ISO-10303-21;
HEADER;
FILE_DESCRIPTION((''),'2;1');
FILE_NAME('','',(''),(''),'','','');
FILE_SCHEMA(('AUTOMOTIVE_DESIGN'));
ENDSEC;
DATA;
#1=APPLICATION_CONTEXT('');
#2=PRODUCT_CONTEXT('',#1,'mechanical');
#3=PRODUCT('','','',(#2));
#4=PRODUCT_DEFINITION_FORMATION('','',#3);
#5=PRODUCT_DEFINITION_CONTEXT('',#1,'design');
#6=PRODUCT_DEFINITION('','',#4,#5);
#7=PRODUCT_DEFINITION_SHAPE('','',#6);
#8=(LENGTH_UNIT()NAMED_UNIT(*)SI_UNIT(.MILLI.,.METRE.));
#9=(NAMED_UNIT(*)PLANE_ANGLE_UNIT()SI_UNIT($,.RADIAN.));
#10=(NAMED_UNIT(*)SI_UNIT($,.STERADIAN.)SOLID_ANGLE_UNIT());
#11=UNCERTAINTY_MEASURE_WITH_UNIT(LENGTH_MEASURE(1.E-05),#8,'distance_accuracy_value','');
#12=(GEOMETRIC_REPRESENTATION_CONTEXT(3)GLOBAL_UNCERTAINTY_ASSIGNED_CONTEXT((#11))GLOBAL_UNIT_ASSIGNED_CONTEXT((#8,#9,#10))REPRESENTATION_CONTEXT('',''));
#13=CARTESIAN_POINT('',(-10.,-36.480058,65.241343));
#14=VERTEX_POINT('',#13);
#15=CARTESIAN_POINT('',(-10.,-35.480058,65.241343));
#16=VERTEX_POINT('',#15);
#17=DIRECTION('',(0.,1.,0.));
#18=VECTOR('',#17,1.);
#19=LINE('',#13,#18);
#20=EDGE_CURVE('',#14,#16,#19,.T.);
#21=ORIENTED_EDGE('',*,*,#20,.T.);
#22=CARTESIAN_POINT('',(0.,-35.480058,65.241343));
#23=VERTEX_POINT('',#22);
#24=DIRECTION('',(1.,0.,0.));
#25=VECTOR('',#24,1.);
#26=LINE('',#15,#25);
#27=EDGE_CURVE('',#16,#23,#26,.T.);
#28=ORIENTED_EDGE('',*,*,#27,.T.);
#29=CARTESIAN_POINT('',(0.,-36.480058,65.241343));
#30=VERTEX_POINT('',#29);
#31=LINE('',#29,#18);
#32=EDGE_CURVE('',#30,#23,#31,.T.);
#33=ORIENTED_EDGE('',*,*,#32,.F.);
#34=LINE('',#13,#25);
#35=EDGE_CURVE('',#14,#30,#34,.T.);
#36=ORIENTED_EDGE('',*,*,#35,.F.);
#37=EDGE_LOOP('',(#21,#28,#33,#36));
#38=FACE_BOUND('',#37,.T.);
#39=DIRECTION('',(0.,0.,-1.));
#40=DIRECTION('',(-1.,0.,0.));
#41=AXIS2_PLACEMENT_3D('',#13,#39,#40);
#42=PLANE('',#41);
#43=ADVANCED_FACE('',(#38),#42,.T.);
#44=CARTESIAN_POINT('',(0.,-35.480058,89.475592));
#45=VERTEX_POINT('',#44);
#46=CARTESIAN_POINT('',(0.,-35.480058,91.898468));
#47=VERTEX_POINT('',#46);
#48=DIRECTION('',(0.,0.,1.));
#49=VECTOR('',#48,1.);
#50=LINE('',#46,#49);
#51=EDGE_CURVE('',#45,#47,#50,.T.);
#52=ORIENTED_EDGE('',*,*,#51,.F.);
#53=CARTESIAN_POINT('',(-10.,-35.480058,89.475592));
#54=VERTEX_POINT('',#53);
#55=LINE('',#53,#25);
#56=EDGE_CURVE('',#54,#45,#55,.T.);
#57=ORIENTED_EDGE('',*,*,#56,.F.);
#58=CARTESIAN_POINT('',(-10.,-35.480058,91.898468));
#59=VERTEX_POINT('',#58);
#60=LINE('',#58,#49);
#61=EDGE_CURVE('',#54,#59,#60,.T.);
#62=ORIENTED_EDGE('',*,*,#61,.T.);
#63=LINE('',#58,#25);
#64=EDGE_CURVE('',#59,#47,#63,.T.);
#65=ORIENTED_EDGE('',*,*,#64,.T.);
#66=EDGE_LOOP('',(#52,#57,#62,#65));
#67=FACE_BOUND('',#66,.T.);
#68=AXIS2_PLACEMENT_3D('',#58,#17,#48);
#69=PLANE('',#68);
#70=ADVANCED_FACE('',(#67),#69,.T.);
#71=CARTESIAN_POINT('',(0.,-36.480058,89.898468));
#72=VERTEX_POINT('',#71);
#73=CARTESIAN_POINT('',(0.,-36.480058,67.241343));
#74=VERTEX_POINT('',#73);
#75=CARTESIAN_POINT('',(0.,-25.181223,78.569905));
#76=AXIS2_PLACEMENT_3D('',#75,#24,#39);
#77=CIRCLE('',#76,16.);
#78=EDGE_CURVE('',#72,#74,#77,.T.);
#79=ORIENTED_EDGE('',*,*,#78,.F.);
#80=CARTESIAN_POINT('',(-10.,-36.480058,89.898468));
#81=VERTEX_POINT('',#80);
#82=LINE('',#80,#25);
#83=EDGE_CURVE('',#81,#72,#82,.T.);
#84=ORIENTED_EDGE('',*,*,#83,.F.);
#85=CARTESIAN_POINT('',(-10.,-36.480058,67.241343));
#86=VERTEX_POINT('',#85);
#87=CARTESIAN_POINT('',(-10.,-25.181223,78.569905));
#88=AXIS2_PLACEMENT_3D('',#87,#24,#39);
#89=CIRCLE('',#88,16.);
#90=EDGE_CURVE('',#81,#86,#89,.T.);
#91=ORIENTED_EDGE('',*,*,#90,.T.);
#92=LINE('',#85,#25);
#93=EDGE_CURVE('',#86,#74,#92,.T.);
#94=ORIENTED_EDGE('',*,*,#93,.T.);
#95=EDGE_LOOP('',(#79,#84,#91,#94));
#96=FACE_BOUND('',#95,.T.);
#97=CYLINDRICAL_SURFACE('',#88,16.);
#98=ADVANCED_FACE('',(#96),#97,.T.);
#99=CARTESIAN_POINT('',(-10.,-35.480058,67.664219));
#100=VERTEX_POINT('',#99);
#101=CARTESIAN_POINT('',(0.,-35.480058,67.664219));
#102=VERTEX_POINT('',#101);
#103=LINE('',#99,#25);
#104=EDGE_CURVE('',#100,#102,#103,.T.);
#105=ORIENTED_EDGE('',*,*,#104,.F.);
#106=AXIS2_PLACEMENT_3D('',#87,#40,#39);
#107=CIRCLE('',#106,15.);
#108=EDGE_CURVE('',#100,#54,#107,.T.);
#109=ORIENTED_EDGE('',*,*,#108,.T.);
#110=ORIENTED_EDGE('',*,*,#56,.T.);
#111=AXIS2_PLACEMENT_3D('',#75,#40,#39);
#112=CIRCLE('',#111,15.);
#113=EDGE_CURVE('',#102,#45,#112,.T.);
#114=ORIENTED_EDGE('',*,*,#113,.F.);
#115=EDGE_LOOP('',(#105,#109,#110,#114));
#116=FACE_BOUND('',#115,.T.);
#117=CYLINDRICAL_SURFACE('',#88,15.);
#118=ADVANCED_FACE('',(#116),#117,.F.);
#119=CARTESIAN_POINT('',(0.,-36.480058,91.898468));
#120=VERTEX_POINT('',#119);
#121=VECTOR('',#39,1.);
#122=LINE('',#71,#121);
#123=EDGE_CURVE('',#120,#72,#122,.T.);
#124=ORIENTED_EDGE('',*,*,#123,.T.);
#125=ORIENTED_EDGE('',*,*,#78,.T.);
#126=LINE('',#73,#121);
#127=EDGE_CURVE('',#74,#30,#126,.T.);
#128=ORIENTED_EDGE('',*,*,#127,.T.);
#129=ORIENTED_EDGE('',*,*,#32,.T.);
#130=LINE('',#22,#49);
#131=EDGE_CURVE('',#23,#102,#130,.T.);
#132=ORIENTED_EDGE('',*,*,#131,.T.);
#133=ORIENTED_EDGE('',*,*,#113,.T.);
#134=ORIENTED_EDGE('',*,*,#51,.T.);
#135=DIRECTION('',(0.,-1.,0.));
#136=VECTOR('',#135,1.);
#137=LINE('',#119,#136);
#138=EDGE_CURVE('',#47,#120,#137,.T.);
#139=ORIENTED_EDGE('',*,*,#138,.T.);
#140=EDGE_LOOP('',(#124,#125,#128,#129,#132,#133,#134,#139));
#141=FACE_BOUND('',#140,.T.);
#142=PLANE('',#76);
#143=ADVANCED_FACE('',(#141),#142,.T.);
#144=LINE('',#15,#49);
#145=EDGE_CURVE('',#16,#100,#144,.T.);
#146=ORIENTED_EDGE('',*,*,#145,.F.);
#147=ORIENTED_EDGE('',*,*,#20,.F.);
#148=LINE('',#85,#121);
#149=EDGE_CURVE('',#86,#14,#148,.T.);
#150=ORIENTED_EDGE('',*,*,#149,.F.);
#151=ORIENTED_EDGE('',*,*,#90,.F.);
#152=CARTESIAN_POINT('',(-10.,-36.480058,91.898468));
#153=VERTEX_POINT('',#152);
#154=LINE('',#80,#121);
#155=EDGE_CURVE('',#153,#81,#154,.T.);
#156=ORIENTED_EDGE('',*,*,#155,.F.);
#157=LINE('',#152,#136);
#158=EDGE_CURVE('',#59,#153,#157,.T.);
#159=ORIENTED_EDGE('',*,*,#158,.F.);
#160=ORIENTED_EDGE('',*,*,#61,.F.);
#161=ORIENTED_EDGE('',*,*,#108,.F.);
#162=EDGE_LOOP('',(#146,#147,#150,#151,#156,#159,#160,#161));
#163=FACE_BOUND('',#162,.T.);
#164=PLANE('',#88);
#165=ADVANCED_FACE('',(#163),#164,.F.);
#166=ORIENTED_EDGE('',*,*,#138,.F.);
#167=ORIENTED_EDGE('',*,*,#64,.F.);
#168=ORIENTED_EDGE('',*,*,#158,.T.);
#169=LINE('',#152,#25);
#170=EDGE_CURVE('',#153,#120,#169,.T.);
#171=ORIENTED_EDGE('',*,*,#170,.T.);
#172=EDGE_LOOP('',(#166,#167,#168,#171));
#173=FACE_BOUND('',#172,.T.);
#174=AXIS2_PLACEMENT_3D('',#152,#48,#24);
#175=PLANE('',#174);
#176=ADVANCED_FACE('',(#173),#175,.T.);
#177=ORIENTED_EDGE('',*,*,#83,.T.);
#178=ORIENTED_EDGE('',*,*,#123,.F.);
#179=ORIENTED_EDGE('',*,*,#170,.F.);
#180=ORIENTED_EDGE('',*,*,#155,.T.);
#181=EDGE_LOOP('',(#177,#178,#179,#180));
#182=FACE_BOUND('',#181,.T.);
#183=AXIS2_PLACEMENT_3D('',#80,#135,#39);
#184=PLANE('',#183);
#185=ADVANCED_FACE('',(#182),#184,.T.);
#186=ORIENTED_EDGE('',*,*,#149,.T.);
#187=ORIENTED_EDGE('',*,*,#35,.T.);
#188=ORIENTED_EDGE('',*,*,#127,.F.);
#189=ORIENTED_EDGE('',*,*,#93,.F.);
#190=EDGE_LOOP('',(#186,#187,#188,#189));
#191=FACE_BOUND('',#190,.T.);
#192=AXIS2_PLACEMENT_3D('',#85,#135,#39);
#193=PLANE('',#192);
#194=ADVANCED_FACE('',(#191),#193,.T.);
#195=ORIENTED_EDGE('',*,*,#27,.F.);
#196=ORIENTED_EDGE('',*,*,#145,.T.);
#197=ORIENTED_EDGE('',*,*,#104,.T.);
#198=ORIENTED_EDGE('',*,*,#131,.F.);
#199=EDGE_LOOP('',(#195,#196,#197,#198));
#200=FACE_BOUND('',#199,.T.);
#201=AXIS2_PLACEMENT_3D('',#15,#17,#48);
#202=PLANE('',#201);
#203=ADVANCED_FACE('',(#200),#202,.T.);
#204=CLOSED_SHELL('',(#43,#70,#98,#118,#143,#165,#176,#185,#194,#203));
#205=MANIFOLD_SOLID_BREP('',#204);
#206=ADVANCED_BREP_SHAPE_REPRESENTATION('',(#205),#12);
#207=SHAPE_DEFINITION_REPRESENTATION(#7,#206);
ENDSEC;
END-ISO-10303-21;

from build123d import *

# Parameters (mm, degrees)
BOSS_EXTRU_1_DEPTH = 10


with BuildPart() as part:
    # Esquisse1 → Boss.-Extru.1 (new body)
    with BuildSketch(Plane(origin=(0, 0, 0), x_dir=(0, 0, -1), z_dir=(1, 0, 0))):
        with BuildLine():
            Line((-89.898468063, -36.480057998), (-91.898468063, -36.480057998))
            Line((-91.898468063, -36.480057998), (-91.898468063, -35.480057998))
            Line((-91.898468063, -35.480057998), (-89.475592066, -35.480057998))
            ThreePointArc((-89.475592066, -35.480057998), (-78.569905432, -40.181223159), (-67.664218798, -35.480057998))
            Line((-67.664218798, -35.480057998), (-65.241342801, -35.480057998))
            Line((-65.241342801, -35.480057998), (-65.241342801, -36.480057998))
            Line((-65.241342801, -36.480057998), (-67.241342801, -36.480057998))
            ThreePointArc((-67.241342801, -36.480057998), (-78.569905432, -41.181223159), (-89.898468063, -36.480057998))
        make_face()
    extrude(amount=-BOSS_EXTRU_1_DEPTH)


solid = part.part
